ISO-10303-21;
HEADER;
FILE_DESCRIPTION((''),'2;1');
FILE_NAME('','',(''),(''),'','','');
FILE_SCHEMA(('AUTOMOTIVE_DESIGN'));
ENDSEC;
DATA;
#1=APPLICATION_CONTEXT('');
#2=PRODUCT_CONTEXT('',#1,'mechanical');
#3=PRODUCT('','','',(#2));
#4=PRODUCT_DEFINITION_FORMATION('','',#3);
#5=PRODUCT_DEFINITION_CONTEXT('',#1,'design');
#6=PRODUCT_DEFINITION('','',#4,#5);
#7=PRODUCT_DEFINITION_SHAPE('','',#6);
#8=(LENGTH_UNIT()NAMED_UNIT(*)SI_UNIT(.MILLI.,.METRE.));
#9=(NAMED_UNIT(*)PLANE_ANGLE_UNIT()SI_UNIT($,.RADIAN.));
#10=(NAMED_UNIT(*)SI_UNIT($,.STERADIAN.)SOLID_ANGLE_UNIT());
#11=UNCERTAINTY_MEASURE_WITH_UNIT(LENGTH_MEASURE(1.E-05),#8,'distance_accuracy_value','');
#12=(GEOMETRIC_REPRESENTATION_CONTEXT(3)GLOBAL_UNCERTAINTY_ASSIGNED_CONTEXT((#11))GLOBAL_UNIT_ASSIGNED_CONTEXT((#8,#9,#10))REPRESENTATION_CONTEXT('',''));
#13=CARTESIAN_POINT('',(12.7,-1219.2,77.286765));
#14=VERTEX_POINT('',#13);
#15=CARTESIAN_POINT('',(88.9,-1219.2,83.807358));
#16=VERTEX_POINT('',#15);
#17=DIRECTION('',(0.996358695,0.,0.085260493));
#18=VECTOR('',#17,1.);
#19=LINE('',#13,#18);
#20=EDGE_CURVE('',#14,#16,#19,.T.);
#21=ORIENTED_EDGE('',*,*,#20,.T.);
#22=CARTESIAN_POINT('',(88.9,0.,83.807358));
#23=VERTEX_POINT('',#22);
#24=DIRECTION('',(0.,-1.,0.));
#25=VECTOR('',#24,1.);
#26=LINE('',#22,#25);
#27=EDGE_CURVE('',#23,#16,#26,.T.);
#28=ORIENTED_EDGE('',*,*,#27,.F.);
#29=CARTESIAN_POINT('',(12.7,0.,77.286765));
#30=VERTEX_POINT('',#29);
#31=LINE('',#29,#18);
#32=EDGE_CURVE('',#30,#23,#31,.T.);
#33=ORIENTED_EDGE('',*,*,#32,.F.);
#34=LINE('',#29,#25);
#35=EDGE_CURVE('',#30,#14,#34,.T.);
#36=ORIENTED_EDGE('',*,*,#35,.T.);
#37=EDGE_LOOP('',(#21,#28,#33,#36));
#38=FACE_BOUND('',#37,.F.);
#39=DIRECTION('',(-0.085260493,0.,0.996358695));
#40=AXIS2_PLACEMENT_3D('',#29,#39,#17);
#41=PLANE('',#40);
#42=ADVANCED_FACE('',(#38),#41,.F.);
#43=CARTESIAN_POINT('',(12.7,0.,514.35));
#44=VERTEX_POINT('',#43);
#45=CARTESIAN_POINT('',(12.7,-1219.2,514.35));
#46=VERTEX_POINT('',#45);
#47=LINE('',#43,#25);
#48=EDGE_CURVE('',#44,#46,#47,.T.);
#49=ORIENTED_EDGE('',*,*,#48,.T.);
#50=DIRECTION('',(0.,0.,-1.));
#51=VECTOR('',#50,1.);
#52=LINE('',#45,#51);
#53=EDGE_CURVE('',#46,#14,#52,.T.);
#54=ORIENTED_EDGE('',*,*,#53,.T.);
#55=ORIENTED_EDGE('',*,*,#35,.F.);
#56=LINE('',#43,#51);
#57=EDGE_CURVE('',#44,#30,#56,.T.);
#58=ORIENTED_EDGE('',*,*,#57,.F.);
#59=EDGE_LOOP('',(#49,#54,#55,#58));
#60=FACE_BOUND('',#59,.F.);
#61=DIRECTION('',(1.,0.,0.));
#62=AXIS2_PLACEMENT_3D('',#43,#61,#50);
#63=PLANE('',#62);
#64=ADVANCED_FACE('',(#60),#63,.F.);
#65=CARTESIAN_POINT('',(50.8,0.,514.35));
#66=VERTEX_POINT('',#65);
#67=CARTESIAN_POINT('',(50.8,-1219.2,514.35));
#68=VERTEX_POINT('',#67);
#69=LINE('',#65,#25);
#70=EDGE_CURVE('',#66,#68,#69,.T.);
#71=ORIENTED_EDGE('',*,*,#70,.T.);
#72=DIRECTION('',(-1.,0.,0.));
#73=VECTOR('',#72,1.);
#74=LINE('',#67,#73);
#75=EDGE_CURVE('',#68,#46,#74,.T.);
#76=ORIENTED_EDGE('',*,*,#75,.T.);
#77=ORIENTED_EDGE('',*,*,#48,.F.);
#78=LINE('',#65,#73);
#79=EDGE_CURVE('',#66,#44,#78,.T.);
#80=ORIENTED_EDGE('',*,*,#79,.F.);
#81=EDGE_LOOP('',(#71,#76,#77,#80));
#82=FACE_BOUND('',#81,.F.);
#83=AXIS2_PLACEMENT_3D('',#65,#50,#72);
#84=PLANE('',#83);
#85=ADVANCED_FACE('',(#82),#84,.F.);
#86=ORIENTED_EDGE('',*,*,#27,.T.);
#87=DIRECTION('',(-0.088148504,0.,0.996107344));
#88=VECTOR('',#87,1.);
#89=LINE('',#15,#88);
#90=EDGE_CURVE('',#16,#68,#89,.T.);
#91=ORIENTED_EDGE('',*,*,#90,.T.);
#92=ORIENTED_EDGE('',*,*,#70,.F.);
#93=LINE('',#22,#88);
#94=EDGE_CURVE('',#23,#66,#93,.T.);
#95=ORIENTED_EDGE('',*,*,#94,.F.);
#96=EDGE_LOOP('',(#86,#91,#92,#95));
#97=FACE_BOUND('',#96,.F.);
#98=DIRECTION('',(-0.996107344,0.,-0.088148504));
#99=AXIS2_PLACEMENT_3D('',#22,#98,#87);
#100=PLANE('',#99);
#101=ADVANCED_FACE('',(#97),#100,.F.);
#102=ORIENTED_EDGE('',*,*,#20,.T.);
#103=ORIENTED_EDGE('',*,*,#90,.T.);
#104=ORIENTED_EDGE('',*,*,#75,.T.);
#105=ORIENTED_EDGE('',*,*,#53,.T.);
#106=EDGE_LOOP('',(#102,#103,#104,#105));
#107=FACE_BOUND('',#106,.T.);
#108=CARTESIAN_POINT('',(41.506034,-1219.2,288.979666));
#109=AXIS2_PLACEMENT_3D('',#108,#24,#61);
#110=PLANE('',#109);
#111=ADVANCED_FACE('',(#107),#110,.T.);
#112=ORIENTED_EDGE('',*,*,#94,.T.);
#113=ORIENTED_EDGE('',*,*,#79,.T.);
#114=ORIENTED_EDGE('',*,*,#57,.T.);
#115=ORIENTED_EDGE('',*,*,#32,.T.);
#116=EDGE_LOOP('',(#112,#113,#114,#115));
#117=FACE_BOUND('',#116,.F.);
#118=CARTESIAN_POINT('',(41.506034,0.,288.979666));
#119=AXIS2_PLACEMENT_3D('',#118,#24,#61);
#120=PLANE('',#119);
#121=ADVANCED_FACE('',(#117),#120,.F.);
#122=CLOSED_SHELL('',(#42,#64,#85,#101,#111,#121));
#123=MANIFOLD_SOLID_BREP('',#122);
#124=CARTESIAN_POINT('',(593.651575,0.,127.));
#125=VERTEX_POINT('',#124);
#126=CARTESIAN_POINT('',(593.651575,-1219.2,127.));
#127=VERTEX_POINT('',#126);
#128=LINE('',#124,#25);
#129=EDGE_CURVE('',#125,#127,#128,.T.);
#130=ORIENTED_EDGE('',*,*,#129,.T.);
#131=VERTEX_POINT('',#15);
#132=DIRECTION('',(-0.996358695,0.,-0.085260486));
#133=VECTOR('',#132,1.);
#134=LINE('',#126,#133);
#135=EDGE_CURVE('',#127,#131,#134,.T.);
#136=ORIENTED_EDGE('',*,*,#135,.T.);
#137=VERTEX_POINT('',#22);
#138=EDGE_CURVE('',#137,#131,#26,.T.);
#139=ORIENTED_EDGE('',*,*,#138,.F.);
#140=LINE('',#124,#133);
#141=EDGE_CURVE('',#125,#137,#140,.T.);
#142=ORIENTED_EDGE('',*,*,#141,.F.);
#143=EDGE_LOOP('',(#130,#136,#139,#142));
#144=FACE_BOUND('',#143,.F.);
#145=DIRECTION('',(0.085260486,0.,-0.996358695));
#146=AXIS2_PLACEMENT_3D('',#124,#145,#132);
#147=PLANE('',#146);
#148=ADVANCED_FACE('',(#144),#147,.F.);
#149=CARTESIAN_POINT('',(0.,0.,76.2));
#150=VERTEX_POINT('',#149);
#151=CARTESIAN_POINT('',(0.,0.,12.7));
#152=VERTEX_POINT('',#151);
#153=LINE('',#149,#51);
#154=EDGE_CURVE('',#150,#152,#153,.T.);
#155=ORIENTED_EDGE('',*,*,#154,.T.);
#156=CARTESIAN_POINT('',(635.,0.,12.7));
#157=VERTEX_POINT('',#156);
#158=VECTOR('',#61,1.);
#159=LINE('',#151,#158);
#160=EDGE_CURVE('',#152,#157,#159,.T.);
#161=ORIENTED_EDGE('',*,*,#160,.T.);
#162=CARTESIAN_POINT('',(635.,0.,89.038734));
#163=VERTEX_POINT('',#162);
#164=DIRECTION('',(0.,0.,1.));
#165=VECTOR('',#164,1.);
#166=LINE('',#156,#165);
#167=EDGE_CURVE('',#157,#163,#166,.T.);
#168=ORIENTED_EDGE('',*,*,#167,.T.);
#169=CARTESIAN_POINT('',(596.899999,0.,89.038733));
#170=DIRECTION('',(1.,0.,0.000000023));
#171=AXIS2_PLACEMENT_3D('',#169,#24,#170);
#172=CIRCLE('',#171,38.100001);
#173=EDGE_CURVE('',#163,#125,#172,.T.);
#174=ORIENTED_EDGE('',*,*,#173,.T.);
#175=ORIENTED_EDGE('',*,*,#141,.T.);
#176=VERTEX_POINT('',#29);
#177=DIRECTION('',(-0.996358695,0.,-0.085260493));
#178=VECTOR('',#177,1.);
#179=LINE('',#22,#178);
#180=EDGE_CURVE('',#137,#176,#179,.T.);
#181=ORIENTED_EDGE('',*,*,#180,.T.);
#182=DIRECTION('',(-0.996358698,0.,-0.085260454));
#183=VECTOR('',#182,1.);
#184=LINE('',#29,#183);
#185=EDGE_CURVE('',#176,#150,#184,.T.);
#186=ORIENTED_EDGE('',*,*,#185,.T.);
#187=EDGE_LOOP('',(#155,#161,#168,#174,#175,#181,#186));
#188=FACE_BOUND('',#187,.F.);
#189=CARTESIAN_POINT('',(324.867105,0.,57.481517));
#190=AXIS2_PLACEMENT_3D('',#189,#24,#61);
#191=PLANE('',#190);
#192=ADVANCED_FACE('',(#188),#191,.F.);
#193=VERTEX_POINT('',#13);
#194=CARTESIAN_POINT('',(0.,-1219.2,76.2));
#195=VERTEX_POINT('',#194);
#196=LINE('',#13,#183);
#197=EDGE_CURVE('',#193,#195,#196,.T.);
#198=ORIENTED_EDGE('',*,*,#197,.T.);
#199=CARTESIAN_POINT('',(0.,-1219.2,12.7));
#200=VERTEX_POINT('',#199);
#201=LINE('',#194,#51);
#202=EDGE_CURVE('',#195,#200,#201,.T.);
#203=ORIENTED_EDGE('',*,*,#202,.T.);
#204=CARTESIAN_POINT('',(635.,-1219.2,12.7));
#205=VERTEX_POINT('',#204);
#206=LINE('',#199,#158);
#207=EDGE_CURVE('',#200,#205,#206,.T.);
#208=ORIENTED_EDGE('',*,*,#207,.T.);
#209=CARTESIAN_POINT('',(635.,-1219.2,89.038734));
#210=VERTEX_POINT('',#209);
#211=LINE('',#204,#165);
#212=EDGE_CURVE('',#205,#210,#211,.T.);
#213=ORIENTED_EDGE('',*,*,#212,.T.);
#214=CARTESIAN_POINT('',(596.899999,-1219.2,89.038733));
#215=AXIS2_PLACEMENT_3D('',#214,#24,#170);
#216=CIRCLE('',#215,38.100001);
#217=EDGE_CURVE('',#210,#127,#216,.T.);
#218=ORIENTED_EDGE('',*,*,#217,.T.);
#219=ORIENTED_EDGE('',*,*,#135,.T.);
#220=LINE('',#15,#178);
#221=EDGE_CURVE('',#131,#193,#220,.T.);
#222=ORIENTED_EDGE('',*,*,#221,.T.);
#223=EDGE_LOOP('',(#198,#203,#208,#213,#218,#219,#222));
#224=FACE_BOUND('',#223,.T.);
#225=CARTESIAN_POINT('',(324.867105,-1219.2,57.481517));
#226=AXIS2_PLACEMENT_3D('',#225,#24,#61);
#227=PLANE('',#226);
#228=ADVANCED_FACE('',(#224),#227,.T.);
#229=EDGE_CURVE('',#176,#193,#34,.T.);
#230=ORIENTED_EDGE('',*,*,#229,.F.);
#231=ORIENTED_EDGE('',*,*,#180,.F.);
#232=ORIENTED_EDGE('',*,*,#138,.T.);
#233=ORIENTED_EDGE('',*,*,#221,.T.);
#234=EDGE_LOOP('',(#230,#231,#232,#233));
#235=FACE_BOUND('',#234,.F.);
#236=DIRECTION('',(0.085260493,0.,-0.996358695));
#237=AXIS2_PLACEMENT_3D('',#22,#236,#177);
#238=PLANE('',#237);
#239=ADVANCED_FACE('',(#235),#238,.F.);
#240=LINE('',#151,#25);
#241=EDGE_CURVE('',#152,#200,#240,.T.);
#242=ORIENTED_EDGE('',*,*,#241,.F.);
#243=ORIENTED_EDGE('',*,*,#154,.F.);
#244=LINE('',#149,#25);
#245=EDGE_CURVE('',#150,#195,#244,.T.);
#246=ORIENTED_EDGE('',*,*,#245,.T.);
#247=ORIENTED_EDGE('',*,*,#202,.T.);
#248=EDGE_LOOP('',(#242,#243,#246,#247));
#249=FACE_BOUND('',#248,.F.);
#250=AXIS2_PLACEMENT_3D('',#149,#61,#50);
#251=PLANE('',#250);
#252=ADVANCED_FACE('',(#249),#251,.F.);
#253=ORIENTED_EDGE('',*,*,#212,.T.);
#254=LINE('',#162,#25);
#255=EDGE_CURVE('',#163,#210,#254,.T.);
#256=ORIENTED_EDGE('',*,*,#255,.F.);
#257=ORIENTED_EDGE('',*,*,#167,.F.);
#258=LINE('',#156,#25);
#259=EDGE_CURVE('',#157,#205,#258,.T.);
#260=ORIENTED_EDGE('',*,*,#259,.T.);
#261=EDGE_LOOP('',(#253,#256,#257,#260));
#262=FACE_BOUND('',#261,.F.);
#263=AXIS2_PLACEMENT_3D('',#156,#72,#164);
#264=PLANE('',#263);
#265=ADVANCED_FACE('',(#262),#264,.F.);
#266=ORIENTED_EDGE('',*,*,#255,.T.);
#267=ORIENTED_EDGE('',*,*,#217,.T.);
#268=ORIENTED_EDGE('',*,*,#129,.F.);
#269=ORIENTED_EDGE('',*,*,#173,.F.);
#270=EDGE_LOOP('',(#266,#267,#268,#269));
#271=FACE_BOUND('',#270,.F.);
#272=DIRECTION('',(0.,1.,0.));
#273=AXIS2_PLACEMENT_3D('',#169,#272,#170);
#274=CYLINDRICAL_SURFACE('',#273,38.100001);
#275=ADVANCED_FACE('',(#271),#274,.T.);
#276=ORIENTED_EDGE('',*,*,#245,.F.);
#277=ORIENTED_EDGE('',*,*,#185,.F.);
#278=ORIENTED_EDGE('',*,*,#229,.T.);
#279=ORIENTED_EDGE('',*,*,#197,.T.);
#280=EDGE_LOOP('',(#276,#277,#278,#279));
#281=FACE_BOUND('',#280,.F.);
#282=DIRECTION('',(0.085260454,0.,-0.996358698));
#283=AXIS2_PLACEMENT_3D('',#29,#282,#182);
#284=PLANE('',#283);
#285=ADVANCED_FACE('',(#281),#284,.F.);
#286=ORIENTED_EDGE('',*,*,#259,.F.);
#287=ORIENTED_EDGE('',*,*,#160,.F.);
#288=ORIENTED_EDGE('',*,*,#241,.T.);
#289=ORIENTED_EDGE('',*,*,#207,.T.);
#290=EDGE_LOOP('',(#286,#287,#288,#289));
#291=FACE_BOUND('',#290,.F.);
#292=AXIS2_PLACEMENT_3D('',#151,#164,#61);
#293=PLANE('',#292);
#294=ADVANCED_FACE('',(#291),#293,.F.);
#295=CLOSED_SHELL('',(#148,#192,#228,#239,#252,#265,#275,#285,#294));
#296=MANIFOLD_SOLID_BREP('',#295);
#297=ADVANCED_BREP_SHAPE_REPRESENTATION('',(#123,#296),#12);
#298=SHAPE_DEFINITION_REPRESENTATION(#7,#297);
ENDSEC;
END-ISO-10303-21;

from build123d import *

# Parameters (mm, degrees)
F2_DEPTH = 1219.2
F3_DEPTH = 1219.2


with BuildPart() as f2:
    # F1 (on Front) → F2 (new body)
    with BuildSketch(Plane.XZ):
        with BuildLine():
            Line((0, 12.7), (3.175, 12.7))
            Line((3.175, 12.7), (622.3, 12.7))
            Line((622.3, 12.7), (635, 12.7))
            Line((635, 12.7), (635, 89.038734))
            ThreePointArc((635, 89.038734), (622.666694, 117.104504), (593.651575, 127))
            Line((593.651575, 127), (88.9, 83.807358))
            Line((88.9, 83.807358), (12.7, 77.286765))
            Line((12.7, 77.286765), (0, 76.2))
            Line((0, 76.2), (0, 12.7))
        make_face()
    extrude(amount=F2_DEPTH)


with BuildPart() as f3:
    # F1 (on Front) → F3 (new body)
    with BuildSketch(Plane.XZ):
        Polygon((12.7, 79.375), (12.7, 77.286765), (88.9, 83.807358), (50.8, 514.35), (12.7, 514.35), (12.7, 511.175), align=None)
    extrude(amount=F3_DEPTH)


solid = Compound([f2.part, f3.part])
